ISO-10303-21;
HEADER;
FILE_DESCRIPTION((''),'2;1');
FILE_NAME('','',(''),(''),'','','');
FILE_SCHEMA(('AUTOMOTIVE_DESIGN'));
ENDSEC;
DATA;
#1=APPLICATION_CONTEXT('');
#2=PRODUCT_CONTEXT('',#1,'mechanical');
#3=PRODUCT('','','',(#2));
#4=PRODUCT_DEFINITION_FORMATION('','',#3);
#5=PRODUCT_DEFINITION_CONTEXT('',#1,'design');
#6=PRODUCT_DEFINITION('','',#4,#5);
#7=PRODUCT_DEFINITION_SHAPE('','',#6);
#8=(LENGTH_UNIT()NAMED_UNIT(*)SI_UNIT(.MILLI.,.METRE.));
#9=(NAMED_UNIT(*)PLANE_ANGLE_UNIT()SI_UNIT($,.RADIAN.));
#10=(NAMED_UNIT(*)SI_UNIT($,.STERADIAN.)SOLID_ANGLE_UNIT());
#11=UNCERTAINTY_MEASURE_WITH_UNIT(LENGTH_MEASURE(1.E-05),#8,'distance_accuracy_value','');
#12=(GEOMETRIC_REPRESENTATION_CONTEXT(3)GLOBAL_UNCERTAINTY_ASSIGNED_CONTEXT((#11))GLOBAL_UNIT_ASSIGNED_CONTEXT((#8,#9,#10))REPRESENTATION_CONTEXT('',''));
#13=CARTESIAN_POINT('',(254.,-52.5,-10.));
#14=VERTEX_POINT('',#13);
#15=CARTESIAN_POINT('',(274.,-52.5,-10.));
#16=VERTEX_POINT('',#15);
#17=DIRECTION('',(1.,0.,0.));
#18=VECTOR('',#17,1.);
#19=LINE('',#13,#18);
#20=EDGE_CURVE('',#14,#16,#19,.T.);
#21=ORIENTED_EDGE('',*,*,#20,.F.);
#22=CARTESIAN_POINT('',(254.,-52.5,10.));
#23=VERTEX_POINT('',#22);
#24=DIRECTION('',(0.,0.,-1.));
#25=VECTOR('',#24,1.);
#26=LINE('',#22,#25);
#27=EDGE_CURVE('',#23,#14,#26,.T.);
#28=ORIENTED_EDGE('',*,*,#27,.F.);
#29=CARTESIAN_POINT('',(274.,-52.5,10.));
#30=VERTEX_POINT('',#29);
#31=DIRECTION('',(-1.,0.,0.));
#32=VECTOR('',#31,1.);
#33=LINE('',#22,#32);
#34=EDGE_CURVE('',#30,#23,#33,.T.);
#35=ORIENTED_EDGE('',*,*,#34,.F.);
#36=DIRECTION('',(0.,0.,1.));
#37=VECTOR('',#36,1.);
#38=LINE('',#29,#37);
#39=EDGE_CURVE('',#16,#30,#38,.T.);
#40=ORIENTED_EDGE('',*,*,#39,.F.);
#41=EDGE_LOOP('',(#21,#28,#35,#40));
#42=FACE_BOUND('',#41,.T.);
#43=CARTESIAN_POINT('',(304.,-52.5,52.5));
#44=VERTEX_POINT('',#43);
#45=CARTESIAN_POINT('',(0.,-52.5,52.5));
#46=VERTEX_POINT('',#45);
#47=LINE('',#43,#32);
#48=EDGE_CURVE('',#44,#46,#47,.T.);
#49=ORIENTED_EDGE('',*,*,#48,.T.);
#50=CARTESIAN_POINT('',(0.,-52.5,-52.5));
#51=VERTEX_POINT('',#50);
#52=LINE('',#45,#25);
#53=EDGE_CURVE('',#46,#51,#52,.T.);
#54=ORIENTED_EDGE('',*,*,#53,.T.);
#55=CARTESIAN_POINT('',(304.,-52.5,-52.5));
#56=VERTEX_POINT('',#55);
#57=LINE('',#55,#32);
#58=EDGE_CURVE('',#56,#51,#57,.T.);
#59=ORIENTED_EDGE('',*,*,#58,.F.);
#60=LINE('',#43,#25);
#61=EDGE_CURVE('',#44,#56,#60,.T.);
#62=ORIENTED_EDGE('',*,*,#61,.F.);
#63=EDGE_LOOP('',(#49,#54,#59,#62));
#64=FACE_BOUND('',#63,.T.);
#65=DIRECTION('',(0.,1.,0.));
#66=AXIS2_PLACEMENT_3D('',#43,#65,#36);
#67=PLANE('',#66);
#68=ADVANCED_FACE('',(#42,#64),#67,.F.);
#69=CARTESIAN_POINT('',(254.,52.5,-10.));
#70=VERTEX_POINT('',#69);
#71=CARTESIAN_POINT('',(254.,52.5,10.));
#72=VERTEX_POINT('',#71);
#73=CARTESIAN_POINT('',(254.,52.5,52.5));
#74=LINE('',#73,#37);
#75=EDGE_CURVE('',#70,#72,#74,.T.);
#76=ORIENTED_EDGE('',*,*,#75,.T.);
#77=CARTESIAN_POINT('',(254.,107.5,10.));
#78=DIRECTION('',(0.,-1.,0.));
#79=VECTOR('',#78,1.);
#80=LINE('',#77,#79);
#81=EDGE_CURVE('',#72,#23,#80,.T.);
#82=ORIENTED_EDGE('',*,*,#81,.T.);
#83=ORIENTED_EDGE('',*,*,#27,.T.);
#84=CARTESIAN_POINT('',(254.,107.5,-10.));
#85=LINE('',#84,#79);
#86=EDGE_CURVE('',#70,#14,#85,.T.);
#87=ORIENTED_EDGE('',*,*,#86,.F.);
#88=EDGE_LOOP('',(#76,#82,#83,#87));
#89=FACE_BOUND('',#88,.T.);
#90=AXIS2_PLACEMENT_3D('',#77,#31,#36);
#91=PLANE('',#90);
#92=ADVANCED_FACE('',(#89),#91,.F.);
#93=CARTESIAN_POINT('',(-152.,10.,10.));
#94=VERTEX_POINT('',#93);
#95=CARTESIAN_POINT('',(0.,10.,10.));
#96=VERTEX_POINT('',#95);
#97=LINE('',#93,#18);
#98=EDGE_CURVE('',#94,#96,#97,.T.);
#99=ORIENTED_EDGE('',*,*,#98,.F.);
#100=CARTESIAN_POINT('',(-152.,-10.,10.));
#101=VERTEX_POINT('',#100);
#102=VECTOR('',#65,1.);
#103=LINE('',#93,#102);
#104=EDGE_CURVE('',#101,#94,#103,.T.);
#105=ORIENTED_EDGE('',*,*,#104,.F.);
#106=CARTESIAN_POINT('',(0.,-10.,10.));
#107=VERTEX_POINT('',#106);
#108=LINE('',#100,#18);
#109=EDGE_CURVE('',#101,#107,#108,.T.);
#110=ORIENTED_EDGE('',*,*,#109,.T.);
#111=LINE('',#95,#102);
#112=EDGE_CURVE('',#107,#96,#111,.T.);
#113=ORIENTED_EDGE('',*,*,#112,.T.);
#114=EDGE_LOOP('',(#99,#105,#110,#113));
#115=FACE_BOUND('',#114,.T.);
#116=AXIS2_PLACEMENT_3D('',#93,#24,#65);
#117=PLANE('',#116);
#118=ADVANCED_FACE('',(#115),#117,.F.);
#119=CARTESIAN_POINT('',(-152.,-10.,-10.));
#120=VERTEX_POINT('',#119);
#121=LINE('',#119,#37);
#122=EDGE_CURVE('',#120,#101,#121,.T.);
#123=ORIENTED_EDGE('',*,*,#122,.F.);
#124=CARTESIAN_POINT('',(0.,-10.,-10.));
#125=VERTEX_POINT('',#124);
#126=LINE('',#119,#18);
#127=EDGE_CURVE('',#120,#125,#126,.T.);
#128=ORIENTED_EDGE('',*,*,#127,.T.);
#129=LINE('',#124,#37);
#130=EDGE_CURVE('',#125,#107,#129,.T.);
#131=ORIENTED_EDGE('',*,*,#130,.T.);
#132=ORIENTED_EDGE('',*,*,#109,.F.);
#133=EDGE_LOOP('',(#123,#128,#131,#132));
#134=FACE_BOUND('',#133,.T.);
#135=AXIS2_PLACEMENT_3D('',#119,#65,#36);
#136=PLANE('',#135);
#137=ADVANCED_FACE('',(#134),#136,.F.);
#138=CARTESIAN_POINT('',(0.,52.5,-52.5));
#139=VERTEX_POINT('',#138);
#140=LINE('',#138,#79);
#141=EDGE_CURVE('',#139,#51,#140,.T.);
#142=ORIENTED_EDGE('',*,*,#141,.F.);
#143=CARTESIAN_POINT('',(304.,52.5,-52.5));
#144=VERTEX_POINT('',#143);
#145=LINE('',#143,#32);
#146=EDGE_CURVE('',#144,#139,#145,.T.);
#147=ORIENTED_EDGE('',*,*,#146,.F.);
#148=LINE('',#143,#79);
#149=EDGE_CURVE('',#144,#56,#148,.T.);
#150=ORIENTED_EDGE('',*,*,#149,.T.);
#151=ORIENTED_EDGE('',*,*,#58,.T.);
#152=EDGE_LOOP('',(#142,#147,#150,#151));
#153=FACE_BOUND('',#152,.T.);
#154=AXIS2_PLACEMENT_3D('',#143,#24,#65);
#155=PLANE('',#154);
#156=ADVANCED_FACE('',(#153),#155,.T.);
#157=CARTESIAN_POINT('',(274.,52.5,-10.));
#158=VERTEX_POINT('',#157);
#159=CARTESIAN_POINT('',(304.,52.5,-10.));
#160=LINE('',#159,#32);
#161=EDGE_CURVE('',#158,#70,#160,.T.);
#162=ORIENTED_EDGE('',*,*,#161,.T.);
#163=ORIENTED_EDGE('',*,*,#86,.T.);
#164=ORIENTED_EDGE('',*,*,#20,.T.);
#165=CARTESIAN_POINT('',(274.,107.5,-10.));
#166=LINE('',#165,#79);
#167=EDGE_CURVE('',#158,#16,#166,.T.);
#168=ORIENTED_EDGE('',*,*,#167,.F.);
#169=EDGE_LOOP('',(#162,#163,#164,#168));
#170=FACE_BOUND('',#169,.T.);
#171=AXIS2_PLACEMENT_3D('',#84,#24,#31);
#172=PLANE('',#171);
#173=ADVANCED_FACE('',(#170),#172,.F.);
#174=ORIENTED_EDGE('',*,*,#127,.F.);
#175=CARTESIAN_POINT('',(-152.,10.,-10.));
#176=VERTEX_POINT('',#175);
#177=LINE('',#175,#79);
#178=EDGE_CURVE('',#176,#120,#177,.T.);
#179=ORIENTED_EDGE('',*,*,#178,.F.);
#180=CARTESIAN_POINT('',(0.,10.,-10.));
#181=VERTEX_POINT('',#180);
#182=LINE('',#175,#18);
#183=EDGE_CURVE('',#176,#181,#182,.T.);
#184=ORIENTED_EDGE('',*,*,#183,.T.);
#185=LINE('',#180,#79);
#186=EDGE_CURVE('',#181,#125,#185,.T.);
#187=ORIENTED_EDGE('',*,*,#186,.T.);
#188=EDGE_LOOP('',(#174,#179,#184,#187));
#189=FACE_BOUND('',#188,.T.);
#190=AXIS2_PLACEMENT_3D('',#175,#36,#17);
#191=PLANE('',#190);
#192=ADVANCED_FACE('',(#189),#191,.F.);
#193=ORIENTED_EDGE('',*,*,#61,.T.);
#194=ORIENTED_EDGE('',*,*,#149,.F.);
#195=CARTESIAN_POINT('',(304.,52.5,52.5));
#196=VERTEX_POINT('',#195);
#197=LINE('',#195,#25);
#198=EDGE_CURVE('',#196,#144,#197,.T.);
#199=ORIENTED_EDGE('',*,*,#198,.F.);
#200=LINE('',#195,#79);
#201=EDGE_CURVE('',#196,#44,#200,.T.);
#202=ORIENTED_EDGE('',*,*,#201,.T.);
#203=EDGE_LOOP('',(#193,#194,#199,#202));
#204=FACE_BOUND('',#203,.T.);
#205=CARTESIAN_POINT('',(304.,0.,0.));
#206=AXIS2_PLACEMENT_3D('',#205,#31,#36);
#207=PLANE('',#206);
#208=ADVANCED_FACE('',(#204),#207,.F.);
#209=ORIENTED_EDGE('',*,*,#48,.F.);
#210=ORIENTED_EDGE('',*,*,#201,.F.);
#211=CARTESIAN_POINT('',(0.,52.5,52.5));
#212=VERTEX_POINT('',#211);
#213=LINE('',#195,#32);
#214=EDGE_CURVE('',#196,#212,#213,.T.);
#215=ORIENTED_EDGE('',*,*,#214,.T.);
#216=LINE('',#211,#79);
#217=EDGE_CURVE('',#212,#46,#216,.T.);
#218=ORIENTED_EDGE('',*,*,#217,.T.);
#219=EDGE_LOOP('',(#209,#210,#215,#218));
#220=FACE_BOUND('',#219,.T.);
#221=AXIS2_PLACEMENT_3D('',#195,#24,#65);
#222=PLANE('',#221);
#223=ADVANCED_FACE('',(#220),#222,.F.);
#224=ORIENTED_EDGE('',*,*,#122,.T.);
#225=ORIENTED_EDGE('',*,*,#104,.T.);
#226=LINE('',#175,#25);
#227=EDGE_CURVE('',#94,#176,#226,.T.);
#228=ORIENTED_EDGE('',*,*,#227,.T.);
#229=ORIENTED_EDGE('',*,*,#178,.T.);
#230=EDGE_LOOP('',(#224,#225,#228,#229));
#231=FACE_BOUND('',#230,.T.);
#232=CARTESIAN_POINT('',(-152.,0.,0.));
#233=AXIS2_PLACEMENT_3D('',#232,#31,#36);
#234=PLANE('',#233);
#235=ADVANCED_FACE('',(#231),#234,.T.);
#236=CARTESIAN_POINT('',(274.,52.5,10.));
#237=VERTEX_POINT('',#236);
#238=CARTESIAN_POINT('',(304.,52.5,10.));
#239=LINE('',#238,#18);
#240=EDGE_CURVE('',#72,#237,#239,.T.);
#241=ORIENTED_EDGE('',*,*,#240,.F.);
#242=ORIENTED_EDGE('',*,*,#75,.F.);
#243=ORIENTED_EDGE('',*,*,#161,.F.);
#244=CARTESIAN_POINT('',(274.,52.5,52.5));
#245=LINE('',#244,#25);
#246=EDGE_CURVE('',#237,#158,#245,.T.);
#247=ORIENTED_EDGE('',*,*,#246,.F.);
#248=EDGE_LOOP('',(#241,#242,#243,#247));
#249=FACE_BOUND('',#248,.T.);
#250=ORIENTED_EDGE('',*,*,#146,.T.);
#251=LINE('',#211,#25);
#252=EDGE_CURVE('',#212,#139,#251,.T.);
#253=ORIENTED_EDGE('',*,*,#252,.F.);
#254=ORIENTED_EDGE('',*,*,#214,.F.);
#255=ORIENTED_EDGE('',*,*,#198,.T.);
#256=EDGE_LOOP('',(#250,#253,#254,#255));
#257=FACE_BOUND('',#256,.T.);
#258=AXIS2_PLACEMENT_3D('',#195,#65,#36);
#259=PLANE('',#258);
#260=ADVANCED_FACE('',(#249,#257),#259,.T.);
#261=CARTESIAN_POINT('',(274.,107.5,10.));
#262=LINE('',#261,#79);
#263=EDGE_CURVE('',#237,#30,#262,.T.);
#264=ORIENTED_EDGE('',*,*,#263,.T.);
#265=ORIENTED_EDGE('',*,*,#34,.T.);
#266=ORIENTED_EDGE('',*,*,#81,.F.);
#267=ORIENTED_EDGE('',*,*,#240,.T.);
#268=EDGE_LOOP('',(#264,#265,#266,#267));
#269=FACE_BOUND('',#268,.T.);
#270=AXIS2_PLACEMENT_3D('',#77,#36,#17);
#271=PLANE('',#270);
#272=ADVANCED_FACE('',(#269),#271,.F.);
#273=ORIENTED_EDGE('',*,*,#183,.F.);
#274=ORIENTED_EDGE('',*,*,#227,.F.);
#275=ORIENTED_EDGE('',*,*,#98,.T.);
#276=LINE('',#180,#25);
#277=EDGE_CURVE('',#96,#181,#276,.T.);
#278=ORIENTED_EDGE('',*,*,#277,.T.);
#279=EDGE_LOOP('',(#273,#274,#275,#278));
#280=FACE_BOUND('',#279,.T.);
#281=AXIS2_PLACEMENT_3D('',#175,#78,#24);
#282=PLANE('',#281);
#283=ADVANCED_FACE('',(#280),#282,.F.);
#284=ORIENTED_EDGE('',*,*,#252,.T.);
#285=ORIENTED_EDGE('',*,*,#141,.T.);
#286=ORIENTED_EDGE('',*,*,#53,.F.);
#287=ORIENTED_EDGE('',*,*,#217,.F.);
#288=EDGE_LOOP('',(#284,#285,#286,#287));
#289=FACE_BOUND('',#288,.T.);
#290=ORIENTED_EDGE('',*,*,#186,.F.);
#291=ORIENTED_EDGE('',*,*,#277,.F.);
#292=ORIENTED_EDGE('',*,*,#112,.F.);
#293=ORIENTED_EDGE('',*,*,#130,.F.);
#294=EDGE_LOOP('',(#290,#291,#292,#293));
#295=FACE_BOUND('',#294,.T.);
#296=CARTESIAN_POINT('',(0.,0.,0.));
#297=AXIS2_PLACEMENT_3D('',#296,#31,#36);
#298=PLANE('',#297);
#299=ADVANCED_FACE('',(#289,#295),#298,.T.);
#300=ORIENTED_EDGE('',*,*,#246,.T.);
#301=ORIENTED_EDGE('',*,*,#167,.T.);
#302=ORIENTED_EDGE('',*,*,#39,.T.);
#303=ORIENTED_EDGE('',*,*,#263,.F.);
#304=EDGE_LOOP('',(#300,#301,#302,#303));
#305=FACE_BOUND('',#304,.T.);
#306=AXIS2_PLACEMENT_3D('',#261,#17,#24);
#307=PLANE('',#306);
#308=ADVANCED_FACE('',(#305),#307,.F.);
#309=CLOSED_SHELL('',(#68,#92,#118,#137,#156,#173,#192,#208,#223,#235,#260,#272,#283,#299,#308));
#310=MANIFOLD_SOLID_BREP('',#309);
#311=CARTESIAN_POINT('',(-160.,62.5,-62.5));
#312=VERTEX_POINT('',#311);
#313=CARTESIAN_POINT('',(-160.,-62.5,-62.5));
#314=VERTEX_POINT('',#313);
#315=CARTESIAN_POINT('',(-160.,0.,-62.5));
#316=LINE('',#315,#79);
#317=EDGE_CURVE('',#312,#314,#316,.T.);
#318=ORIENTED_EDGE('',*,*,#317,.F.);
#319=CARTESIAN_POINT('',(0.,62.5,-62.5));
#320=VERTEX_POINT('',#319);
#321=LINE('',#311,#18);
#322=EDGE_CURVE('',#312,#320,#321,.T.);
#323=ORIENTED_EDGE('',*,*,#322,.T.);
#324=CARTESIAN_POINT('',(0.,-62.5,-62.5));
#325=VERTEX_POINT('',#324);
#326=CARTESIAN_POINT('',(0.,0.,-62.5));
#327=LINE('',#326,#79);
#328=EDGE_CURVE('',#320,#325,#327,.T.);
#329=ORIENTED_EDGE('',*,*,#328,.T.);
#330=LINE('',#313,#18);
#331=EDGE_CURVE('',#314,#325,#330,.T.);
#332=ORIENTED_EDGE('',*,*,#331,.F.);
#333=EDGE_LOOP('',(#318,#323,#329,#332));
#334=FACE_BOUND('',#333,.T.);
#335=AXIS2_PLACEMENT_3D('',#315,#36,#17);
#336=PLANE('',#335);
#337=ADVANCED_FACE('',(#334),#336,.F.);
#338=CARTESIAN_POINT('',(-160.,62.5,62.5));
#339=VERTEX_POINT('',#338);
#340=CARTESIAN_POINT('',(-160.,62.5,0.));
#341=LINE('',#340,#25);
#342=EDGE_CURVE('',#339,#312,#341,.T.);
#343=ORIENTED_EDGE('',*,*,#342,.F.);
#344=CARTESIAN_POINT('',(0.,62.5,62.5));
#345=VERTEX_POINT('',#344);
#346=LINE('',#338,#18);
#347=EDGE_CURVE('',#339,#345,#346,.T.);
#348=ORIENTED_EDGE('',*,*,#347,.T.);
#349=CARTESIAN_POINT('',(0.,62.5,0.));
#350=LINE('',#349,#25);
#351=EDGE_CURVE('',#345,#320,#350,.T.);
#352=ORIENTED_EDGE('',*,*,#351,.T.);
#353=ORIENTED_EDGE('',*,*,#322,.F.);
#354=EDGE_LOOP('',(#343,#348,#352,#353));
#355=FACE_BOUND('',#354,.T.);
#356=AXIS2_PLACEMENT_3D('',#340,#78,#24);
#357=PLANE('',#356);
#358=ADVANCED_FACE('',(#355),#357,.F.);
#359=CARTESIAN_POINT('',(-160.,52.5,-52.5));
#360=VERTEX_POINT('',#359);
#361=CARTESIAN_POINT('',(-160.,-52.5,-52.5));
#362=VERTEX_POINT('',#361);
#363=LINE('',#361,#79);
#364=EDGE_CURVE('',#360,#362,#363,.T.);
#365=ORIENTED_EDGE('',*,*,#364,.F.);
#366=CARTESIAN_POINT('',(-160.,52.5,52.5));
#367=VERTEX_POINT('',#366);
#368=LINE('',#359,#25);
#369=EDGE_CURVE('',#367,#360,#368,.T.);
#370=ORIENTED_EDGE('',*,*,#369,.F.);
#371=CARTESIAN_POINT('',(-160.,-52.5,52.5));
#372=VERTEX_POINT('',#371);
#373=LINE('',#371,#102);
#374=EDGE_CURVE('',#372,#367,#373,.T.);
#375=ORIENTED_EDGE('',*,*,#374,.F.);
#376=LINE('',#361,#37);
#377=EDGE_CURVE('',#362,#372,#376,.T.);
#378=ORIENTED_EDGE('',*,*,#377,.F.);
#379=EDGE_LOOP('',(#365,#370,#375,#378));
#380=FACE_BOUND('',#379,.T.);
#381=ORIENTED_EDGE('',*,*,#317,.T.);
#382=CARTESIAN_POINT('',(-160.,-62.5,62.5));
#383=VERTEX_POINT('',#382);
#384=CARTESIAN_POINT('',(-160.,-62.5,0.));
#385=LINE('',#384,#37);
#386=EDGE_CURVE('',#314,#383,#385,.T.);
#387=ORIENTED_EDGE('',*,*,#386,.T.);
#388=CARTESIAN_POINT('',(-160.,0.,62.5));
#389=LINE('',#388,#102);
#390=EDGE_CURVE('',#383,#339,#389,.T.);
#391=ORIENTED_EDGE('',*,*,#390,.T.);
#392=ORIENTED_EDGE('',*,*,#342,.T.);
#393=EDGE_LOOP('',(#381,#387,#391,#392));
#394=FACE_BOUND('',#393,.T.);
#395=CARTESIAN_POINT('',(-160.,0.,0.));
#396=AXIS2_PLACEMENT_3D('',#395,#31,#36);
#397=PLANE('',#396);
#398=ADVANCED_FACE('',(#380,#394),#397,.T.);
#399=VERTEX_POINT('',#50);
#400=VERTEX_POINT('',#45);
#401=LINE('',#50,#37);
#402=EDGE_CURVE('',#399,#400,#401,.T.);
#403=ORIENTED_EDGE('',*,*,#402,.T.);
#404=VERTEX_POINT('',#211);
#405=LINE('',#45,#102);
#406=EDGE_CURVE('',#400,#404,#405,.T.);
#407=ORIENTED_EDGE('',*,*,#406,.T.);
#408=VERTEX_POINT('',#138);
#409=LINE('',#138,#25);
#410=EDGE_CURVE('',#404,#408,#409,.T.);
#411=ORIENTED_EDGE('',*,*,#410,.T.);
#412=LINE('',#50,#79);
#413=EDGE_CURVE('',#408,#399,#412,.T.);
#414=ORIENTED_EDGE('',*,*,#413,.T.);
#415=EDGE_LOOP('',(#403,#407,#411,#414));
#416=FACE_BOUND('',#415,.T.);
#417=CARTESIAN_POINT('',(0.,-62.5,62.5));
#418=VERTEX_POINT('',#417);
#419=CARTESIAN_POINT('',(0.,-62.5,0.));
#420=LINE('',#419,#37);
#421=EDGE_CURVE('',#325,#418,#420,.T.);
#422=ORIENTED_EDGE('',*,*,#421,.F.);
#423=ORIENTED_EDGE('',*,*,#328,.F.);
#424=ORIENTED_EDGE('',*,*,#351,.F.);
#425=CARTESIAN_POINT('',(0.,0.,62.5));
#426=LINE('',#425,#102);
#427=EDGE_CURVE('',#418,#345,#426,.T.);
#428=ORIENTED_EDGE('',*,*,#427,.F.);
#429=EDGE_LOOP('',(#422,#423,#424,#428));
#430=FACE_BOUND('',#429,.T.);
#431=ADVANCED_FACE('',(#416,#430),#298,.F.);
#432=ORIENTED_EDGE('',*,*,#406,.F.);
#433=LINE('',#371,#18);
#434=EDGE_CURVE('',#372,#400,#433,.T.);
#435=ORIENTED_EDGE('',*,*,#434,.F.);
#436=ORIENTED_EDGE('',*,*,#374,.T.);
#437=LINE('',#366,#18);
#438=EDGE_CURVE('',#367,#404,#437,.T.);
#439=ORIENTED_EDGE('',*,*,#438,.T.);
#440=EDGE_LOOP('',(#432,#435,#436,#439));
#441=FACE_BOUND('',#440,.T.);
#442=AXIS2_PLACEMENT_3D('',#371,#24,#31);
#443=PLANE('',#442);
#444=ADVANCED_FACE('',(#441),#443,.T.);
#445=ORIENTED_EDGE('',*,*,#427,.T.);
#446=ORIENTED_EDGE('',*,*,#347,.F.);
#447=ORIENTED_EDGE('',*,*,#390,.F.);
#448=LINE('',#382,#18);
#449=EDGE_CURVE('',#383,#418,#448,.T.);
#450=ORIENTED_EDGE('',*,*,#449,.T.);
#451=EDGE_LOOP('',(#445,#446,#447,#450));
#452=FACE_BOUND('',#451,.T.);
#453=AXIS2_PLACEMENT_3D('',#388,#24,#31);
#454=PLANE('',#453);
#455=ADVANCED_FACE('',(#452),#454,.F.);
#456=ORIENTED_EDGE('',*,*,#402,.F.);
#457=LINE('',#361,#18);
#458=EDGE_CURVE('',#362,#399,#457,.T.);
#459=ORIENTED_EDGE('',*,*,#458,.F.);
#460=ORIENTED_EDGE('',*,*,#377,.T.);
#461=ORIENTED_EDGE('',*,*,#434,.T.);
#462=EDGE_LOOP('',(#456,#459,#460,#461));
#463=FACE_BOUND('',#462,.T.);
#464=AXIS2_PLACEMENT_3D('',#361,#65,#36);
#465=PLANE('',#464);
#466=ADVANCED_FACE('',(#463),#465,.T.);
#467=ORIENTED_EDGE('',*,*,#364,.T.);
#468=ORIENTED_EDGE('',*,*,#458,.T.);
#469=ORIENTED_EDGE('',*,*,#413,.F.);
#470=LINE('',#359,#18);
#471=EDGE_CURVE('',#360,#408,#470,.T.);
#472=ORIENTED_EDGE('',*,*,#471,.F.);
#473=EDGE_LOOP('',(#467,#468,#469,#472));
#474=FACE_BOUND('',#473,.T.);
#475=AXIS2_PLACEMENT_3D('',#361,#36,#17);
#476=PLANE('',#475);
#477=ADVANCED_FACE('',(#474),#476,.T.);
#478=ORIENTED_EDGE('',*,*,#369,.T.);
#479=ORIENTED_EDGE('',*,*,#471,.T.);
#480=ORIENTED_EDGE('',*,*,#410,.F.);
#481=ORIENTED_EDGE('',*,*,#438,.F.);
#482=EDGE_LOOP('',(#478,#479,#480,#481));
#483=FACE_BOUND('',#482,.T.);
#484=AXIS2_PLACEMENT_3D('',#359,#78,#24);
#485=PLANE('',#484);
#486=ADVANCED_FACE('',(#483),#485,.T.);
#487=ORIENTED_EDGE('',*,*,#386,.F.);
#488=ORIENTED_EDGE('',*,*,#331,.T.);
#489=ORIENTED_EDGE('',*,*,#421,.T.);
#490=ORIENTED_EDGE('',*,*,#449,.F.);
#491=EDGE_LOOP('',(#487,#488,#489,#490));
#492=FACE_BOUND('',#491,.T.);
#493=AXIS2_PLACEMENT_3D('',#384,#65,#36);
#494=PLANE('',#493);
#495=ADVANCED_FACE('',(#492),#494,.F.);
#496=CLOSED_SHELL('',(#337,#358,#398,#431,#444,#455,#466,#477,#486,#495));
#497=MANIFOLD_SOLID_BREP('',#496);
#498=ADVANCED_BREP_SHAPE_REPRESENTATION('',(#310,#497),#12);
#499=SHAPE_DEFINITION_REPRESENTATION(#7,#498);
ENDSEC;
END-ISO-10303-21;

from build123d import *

# Parameters (mm, degrees)
SKETCH1_W           = 105
SKETCH1_H           = 105
BOSS_EXTRUDE1_DEPTH = 304
SKETCH2_W           = 20
SKETCH2_H           = 20
BOSS_EXTRUDE2_DEPTH = 152
SKETCH3_W           = 125
SKETCH3_H           = 125
SKETCH3_W_2         = 105
SKETCH3_H_2         = 105
EXTRUDE_THIN1_DEPTH = 160
SKETCH4_W           = 20
SKETCH4_H           = 20
CUT_EXTRUDE1_DEPTH  = 160


with BuildPart() as part:
    # Sketch1 → Boss-Extrude1 (new body)
    with BuildSketch(Plane(origin=(0, 0, 0), x_dir=(0, 0, -1), z_dir=(1, 0, 0))):
        Rectangle(SKETCH1_W, SKETCH1_H)
    extrude(amount=BOSS_EXTRUDE1_DEPTH)

    # Sketch2 → Boss-Extrude2 (add)
    with BuildSketch(Plane.ZY):
        Rectangle(SKETCH2_W, SKETCH2_H)
    extrude(amount=BOSS_EXTRUDE2_DEPTH)

    # Sketch4 → Cut-Extrude1 (cut)
    with BuildSketch(Plane.XZ.offset(52.5)):
        with Locations((264, 0)):
            Rectangle(SKETCH4_W, SKETCH4_H)
    extrude(amount=-CUT_EXTRUDE1_DEPTH, mode=Mode.SUBTRACT)


with BuildPart() as body_2:
    # Sketch3 → Extrude-Thin1 (new body)
    with BuildSketch(Plane.ZY):
        Rectangle(SKETCH3_W, SKETCH3_H)
        Rectangle(SKETCH3_W_2, SKETCH3_H_2, mode=Mode.SUBTRACT)
    extrude(amount=EXTRUDE_THIN1_DEPTH)


solid = Compound([part.part, body_2.part])
